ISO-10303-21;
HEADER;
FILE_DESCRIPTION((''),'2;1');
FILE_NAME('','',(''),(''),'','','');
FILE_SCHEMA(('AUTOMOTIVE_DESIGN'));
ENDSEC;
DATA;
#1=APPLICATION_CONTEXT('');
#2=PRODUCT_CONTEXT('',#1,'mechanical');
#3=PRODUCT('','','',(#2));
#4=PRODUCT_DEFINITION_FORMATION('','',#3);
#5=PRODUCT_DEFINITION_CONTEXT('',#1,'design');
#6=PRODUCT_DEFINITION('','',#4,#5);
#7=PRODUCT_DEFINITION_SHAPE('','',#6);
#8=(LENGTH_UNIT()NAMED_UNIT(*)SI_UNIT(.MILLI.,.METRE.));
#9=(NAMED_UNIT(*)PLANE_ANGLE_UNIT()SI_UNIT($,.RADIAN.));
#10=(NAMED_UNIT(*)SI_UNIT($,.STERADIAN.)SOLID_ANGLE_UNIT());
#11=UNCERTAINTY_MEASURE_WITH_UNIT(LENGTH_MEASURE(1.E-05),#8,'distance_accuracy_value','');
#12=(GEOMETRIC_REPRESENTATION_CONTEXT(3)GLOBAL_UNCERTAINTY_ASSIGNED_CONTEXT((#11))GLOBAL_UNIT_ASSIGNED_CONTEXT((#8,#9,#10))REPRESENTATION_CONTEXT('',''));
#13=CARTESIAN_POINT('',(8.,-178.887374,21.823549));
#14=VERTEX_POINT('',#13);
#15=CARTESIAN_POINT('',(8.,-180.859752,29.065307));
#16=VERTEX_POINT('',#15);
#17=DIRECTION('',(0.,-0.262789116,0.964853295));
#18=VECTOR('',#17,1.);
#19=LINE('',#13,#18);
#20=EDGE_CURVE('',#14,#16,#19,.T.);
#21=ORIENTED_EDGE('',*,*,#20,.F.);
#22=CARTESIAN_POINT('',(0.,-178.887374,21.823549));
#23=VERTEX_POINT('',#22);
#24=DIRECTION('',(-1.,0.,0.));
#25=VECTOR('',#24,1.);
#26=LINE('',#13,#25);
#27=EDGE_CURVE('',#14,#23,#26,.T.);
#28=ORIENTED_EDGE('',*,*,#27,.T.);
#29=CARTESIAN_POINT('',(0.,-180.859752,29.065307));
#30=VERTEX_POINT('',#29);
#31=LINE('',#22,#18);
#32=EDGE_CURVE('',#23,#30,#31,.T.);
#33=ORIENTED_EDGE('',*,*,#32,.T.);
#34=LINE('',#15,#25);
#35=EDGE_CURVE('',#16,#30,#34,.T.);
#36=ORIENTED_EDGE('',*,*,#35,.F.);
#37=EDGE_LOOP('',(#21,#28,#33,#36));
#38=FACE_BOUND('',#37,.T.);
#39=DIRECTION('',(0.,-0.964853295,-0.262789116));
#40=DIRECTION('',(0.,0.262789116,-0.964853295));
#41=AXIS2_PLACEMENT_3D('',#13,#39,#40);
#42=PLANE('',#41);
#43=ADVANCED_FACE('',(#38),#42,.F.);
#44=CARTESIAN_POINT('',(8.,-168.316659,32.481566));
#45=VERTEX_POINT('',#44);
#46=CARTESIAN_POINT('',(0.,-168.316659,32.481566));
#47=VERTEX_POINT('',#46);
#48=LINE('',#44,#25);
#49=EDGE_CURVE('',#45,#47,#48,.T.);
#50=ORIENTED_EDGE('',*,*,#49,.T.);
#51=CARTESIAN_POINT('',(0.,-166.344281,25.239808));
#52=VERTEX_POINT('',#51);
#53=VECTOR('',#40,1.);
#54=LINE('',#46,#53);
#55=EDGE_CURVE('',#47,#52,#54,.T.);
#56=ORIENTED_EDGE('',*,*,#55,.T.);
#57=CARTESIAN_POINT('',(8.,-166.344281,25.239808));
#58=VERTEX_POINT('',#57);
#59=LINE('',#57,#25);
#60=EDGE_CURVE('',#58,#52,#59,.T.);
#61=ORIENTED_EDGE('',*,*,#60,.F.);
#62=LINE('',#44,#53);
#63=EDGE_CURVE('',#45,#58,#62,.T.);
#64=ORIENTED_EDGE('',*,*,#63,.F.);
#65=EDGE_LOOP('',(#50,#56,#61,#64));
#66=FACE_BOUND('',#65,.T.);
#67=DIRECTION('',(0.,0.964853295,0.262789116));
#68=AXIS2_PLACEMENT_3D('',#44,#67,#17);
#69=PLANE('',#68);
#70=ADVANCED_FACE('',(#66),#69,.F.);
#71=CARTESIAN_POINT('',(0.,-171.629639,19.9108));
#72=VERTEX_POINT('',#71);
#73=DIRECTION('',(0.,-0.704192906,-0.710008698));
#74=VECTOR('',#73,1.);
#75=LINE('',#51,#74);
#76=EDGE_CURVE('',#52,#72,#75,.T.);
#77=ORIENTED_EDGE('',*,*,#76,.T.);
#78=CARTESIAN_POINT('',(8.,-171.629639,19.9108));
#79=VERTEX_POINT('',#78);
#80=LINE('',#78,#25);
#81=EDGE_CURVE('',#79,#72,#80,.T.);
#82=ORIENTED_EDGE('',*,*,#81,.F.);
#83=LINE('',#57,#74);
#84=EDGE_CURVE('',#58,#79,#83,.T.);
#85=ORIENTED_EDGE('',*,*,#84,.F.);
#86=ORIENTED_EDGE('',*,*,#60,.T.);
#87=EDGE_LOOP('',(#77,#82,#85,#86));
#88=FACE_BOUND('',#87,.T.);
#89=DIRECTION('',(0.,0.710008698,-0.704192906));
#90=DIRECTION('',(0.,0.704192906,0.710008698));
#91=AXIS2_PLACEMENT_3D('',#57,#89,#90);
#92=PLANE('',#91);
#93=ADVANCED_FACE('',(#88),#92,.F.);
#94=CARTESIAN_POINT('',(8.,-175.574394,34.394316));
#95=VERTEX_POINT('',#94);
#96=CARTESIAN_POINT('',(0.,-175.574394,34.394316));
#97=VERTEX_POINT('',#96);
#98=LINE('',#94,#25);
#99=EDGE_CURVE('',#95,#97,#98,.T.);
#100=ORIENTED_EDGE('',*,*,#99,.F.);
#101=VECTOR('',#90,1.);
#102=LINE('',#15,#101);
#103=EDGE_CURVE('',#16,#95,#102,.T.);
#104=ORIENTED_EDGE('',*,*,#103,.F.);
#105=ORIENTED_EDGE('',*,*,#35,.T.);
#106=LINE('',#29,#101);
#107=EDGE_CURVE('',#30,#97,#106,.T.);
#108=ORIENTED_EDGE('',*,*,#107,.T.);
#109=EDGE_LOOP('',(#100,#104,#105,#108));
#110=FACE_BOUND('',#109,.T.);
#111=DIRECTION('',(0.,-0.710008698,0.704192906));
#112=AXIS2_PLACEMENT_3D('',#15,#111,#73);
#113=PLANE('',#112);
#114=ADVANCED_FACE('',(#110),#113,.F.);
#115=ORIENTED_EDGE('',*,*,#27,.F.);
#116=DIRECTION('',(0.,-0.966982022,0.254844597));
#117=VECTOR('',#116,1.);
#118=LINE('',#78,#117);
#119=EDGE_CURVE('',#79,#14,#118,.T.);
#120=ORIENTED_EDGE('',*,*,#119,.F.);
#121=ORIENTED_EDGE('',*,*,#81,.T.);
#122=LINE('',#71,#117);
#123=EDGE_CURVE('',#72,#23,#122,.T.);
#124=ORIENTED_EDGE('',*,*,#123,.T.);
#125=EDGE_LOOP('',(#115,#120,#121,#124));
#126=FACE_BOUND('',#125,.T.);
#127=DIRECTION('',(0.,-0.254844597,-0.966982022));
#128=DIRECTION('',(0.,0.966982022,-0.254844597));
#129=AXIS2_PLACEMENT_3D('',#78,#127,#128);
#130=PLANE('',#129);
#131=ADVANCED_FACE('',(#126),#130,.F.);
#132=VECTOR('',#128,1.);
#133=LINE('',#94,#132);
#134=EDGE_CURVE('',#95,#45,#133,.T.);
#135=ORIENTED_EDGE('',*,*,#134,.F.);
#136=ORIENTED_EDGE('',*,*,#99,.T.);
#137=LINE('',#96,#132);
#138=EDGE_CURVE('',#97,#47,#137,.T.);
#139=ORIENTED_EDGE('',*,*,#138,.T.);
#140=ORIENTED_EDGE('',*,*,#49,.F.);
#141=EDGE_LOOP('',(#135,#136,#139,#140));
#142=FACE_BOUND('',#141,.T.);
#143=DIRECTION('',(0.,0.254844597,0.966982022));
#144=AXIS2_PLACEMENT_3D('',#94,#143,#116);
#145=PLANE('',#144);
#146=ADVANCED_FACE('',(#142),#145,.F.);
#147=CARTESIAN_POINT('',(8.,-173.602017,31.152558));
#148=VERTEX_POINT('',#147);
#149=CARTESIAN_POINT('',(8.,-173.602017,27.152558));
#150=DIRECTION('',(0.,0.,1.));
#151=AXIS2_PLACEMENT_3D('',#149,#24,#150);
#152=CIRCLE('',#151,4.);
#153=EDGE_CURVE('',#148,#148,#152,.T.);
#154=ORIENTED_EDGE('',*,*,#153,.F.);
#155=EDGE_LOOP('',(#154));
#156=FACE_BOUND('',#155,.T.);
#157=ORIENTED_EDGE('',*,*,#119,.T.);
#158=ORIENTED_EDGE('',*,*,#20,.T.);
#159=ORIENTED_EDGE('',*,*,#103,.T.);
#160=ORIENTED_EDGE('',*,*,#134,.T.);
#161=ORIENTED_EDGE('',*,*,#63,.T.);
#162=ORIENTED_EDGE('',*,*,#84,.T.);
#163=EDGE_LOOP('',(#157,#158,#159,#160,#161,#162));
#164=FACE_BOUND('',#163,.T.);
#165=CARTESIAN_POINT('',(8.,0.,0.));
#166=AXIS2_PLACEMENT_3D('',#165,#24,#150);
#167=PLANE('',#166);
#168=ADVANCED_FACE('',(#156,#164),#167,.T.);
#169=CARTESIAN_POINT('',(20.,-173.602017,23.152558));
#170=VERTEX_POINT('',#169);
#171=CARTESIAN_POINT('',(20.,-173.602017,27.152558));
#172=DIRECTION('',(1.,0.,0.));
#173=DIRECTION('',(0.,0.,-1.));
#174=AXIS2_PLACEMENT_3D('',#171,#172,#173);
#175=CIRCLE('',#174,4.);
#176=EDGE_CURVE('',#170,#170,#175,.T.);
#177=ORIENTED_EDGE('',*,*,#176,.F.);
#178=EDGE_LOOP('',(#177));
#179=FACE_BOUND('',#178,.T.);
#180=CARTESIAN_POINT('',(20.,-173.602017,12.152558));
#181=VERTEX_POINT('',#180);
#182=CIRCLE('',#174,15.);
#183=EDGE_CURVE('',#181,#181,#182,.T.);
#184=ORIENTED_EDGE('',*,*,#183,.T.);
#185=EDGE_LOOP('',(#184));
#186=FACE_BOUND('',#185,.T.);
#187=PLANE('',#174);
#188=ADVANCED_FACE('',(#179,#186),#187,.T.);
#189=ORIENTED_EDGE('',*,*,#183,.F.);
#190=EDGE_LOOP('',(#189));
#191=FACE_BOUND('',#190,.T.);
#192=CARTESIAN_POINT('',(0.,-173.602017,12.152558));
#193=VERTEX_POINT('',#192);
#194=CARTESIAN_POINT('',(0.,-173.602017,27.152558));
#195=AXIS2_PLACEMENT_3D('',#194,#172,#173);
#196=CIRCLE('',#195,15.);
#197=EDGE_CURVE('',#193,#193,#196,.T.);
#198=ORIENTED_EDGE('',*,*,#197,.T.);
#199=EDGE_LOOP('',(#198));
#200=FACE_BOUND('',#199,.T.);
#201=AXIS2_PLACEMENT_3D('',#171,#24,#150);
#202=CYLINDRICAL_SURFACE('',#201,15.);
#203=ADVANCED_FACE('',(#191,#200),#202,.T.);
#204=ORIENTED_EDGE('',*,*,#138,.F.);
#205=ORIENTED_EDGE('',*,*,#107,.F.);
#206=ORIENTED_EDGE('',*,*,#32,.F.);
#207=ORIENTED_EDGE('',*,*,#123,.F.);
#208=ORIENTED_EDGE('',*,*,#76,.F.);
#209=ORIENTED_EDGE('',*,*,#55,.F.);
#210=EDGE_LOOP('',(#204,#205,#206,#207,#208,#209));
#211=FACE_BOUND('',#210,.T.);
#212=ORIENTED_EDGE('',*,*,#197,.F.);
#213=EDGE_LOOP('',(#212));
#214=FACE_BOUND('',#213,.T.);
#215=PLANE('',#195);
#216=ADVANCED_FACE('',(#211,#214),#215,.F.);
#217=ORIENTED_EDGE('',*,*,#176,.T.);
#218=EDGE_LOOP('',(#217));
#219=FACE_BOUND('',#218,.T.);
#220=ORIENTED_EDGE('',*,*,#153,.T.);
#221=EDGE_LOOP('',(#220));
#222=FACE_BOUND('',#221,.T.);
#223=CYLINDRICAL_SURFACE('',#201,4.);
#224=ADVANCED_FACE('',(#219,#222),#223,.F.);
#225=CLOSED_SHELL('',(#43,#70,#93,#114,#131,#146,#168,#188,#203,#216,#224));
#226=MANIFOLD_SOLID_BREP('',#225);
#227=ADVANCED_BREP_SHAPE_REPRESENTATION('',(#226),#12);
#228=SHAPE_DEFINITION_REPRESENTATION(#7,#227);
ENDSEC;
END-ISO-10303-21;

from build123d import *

# Parameters (mm, degrees)
ESQUISSE1_R             = 15
ESQUISSE1_R_2           = 4
BOSS_EXTRU_1_DEPTH      = 20
ENL_V_MAT_EXTRU_1_DEPTH = 8


with BuildPart() as part:
    # Esquisse1 → Boss.-Extru.1 (new body)
    with BuildSketch(Plane(origin=(0, 0, 0), x_dir=(0, 0, -1), z_dir=(1, 0, 0))):
        with Locations((-27.152557625, -173.602016712)):
            Circle(ESQUISSE1_R)
        with Locations((-27.152557625, -173.602016712)):
            Circle(ESQUISSE1_R_2, mode=Mode.SUBTRACT)
    extrude(amount=BOSS_EXTRU_1_DEPTH)

    # Esquisse2 → Enlèv. mat.-Extru.1 (cut)
    with BuildSketch(Plane.ZY):
        Polygon((21.82354936, -178.887374244), (29.065307384, -180.859752013), (34.394315649, -175.57439448), (32.48156589, -168.31665918), (25.239807867, -166.344281411), (19.910799602, -171.629638944), align=None)
    extrude(amount=-ENL_V_MAT_EXTRU_1_DEPTH, mode=Mode.SUBTRACT)


solid = part.part
